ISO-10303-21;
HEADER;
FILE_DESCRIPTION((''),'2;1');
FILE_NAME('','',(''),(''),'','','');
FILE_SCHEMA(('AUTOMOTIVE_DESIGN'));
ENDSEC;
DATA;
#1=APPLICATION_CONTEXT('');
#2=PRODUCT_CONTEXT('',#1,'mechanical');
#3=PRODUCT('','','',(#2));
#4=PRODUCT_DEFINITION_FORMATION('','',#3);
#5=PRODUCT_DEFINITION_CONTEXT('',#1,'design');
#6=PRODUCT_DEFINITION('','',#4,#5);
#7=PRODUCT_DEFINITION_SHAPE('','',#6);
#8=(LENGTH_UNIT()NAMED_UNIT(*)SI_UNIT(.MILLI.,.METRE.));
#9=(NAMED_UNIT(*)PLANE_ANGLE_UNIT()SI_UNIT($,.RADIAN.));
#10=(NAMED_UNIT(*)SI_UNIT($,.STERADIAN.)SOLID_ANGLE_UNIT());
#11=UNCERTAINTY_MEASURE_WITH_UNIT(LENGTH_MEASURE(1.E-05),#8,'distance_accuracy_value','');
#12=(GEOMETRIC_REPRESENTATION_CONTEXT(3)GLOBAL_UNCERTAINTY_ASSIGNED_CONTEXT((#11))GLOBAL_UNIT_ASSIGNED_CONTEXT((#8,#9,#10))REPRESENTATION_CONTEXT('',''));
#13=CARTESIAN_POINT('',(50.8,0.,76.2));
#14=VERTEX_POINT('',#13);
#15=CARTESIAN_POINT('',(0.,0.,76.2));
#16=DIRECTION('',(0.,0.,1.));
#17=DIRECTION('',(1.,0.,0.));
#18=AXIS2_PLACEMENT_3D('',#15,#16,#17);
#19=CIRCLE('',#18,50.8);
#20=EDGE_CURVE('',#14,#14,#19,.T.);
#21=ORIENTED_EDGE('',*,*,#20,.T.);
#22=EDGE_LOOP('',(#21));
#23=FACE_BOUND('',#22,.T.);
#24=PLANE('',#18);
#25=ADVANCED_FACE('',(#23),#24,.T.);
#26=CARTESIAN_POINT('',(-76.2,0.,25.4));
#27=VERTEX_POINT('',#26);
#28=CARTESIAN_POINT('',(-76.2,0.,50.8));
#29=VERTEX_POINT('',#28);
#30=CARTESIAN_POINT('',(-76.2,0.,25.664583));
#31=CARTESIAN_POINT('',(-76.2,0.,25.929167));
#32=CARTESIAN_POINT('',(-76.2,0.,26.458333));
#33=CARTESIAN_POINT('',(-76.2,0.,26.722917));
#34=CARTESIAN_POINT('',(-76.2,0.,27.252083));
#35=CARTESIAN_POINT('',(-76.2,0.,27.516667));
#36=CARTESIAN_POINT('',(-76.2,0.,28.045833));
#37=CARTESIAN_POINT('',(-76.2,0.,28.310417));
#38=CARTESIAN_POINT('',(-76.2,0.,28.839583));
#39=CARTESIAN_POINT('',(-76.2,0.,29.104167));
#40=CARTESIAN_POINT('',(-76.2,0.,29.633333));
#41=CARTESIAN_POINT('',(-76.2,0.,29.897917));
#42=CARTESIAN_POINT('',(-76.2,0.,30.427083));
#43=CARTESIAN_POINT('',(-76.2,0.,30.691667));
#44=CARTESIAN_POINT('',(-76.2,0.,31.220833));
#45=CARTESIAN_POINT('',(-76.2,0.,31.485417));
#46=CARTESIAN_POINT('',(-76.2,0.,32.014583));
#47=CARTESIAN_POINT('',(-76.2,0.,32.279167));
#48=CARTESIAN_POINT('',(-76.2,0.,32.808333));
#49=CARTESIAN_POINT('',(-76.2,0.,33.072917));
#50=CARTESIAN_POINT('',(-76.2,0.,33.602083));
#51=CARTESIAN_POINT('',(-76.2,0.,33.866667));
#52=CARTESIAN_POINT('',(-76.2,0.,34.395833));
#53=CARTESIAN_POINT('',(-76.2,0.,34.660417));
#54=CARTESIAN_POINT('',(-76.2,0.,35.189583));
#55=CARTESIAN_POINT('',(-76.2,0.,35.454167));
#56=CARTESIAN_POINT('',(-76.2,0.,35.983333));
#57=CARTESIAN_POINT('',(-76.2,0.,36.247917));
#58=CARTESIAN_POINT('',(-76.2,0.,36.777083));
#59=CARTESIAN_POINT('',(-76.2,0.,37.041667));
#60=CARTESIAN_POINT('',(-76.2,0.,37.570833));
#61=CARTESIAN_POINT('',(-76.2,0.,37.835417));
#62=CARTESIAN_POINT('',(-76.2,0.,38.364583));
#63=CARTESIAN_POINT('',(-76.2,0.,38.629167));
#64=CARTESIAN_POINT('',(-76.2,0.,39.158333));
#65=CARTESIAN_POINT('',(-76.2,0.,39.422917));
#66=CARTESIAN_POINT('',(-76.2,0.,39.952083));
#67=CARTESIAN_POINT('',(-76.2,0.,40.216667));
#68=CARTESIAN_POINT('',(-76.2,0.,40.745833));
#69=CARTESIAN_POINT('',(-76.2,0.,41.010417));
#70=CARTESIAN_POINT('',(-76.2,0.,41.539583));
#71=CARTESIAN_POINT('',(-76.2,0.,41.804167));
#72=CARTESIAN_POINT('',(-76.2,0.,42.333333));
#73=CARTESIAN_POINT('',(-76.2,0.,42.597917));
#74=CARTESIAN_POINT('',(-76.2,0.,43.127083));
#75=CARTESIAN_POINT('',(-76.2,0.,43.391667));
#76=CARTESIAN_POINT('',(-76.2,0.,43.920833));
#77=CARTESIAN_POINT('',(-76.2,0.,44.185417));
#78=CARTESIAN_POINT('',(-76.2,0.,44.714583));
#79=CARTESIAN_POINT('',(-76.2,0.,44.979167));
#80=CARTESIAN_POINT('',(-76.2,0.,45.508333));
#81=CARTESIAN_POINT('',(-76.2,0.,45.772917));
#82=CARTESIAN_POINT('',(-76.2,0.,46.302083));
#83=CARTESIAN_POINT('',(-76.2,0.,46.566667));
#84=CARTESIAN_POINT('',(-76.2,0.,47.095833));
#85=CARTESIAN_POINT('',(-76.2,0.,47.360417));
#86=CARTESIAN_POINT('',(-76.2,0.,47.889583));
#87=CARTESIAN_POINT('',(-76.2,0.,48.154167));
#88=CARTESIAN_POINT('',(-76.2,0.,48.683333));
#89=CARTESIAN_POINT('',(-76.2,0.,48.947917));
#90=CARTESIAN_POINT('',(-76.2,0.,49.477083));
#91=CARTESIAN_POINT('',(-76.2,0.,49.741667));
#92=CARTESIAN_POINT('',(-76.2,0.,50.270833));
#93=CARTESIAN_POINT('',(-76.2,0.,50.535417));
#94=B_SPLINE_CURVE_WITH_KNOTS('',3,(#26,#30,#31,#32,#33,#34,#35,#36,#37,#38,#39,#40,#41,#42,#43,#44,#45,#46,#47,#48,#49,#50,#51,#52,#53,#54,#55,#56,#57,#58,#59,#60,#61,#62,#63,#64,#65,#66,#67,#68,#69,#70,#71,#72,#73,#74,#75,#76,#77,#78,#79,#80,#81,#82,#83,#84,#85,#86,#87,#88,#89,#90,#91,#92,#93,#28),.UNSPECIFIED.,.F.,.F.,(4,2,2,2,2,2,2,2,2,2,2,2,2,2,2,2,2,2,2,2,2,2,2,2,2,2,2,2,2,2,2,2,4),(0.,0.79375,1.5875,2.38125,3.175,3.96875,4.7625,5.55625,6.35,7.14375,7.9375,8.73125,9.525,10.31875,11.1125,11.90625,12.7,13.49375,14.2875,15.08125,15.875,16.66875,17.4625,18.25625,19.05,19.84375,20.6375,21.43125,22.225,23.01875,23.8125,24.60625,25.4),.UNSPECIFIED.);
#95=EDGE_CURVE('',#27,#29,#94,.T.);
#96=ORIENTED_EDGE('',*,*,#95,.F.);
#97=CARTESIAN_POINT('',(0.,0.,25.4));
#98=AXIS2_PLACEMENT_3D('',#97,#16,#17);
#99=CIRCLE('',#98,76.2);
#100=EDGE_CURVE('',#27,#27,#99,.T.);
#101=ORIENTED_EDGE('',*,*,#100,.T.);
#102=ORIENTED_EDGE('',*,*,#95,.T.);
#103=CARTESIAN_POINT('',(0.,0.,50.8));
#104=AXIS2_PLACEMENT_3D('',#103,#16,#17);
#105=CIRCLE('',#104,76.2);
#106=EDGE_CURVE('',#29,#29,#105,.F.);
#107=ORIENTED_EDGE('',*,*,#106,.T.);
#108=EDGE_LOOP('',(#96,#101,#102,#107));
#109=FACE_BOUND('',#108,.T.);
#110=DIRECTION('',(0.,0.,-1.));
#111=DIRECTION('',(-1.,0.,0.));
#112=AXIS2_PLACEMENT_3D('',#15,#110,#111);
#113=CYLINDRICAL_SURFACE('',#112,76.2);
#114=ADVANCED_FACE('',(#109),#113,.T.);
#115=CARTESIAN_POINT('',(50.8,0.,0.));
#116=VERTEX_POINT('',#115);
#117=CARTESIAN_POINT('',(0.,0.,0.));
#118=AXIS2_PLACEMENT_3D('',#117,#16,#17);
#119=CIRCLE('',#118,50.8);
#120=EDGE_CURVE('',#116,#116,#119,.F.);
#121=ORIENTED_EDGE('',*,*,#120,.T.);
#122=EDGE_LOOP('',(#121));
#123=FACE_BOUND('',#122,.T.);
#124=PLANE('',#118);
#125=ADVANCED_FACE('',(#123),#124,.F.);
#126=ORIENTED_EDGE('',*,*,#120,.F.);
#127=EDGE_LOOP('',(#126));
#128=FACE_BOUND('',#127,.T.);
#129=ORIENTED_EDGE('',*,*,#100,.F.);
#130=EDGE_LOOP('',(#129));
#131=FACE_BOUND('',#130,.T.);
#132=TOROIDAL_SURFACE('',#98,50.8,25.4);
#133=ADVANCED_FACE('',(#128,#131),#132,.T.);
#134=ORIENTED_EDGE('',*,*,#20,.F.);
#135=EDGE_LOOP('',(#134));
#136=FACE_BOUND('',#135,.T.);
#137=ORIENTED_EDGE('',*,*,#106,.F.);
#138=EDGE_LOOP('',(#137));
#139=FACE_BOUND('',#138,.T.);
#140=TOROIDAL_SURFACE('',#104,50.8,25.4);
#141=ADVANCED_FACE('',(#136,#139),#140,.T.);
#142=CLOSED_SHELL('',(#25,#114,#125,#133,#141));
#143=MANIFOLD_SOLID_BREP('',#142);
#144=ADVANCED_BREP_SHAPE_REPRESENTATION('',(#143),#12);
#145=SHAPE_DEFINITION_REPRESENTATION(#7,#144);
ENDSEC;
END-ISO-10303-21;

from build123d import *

# Parameters (mm, degrees)
ESQUISSE1_R        = 76.2
BOSS_EXTRU_1_DEPTH = 76.2
CONG_1_R           = 25.4


with BuildPart() as part:
    # Esquisse1 → Boss.-Extru.1 (new body)
    with BuildSketch(Plane.XY):
        with Locations(Location((0, 0, 0), (0, 0, 180))):
            Circle(ESQUISSE1_R)
    extrude(amount=BOSS_EXTRU_1_DEPTH)

    # Congé1
    cong_1_edges = [part.edges().sort_by_distance(p)[0] for p in [
        (76.2, 0, 0),
        (76.2, 0, 76.2),
    ]]
    fillet(cong_1_edges, radius=CONG_1_R)


solid = part.part
